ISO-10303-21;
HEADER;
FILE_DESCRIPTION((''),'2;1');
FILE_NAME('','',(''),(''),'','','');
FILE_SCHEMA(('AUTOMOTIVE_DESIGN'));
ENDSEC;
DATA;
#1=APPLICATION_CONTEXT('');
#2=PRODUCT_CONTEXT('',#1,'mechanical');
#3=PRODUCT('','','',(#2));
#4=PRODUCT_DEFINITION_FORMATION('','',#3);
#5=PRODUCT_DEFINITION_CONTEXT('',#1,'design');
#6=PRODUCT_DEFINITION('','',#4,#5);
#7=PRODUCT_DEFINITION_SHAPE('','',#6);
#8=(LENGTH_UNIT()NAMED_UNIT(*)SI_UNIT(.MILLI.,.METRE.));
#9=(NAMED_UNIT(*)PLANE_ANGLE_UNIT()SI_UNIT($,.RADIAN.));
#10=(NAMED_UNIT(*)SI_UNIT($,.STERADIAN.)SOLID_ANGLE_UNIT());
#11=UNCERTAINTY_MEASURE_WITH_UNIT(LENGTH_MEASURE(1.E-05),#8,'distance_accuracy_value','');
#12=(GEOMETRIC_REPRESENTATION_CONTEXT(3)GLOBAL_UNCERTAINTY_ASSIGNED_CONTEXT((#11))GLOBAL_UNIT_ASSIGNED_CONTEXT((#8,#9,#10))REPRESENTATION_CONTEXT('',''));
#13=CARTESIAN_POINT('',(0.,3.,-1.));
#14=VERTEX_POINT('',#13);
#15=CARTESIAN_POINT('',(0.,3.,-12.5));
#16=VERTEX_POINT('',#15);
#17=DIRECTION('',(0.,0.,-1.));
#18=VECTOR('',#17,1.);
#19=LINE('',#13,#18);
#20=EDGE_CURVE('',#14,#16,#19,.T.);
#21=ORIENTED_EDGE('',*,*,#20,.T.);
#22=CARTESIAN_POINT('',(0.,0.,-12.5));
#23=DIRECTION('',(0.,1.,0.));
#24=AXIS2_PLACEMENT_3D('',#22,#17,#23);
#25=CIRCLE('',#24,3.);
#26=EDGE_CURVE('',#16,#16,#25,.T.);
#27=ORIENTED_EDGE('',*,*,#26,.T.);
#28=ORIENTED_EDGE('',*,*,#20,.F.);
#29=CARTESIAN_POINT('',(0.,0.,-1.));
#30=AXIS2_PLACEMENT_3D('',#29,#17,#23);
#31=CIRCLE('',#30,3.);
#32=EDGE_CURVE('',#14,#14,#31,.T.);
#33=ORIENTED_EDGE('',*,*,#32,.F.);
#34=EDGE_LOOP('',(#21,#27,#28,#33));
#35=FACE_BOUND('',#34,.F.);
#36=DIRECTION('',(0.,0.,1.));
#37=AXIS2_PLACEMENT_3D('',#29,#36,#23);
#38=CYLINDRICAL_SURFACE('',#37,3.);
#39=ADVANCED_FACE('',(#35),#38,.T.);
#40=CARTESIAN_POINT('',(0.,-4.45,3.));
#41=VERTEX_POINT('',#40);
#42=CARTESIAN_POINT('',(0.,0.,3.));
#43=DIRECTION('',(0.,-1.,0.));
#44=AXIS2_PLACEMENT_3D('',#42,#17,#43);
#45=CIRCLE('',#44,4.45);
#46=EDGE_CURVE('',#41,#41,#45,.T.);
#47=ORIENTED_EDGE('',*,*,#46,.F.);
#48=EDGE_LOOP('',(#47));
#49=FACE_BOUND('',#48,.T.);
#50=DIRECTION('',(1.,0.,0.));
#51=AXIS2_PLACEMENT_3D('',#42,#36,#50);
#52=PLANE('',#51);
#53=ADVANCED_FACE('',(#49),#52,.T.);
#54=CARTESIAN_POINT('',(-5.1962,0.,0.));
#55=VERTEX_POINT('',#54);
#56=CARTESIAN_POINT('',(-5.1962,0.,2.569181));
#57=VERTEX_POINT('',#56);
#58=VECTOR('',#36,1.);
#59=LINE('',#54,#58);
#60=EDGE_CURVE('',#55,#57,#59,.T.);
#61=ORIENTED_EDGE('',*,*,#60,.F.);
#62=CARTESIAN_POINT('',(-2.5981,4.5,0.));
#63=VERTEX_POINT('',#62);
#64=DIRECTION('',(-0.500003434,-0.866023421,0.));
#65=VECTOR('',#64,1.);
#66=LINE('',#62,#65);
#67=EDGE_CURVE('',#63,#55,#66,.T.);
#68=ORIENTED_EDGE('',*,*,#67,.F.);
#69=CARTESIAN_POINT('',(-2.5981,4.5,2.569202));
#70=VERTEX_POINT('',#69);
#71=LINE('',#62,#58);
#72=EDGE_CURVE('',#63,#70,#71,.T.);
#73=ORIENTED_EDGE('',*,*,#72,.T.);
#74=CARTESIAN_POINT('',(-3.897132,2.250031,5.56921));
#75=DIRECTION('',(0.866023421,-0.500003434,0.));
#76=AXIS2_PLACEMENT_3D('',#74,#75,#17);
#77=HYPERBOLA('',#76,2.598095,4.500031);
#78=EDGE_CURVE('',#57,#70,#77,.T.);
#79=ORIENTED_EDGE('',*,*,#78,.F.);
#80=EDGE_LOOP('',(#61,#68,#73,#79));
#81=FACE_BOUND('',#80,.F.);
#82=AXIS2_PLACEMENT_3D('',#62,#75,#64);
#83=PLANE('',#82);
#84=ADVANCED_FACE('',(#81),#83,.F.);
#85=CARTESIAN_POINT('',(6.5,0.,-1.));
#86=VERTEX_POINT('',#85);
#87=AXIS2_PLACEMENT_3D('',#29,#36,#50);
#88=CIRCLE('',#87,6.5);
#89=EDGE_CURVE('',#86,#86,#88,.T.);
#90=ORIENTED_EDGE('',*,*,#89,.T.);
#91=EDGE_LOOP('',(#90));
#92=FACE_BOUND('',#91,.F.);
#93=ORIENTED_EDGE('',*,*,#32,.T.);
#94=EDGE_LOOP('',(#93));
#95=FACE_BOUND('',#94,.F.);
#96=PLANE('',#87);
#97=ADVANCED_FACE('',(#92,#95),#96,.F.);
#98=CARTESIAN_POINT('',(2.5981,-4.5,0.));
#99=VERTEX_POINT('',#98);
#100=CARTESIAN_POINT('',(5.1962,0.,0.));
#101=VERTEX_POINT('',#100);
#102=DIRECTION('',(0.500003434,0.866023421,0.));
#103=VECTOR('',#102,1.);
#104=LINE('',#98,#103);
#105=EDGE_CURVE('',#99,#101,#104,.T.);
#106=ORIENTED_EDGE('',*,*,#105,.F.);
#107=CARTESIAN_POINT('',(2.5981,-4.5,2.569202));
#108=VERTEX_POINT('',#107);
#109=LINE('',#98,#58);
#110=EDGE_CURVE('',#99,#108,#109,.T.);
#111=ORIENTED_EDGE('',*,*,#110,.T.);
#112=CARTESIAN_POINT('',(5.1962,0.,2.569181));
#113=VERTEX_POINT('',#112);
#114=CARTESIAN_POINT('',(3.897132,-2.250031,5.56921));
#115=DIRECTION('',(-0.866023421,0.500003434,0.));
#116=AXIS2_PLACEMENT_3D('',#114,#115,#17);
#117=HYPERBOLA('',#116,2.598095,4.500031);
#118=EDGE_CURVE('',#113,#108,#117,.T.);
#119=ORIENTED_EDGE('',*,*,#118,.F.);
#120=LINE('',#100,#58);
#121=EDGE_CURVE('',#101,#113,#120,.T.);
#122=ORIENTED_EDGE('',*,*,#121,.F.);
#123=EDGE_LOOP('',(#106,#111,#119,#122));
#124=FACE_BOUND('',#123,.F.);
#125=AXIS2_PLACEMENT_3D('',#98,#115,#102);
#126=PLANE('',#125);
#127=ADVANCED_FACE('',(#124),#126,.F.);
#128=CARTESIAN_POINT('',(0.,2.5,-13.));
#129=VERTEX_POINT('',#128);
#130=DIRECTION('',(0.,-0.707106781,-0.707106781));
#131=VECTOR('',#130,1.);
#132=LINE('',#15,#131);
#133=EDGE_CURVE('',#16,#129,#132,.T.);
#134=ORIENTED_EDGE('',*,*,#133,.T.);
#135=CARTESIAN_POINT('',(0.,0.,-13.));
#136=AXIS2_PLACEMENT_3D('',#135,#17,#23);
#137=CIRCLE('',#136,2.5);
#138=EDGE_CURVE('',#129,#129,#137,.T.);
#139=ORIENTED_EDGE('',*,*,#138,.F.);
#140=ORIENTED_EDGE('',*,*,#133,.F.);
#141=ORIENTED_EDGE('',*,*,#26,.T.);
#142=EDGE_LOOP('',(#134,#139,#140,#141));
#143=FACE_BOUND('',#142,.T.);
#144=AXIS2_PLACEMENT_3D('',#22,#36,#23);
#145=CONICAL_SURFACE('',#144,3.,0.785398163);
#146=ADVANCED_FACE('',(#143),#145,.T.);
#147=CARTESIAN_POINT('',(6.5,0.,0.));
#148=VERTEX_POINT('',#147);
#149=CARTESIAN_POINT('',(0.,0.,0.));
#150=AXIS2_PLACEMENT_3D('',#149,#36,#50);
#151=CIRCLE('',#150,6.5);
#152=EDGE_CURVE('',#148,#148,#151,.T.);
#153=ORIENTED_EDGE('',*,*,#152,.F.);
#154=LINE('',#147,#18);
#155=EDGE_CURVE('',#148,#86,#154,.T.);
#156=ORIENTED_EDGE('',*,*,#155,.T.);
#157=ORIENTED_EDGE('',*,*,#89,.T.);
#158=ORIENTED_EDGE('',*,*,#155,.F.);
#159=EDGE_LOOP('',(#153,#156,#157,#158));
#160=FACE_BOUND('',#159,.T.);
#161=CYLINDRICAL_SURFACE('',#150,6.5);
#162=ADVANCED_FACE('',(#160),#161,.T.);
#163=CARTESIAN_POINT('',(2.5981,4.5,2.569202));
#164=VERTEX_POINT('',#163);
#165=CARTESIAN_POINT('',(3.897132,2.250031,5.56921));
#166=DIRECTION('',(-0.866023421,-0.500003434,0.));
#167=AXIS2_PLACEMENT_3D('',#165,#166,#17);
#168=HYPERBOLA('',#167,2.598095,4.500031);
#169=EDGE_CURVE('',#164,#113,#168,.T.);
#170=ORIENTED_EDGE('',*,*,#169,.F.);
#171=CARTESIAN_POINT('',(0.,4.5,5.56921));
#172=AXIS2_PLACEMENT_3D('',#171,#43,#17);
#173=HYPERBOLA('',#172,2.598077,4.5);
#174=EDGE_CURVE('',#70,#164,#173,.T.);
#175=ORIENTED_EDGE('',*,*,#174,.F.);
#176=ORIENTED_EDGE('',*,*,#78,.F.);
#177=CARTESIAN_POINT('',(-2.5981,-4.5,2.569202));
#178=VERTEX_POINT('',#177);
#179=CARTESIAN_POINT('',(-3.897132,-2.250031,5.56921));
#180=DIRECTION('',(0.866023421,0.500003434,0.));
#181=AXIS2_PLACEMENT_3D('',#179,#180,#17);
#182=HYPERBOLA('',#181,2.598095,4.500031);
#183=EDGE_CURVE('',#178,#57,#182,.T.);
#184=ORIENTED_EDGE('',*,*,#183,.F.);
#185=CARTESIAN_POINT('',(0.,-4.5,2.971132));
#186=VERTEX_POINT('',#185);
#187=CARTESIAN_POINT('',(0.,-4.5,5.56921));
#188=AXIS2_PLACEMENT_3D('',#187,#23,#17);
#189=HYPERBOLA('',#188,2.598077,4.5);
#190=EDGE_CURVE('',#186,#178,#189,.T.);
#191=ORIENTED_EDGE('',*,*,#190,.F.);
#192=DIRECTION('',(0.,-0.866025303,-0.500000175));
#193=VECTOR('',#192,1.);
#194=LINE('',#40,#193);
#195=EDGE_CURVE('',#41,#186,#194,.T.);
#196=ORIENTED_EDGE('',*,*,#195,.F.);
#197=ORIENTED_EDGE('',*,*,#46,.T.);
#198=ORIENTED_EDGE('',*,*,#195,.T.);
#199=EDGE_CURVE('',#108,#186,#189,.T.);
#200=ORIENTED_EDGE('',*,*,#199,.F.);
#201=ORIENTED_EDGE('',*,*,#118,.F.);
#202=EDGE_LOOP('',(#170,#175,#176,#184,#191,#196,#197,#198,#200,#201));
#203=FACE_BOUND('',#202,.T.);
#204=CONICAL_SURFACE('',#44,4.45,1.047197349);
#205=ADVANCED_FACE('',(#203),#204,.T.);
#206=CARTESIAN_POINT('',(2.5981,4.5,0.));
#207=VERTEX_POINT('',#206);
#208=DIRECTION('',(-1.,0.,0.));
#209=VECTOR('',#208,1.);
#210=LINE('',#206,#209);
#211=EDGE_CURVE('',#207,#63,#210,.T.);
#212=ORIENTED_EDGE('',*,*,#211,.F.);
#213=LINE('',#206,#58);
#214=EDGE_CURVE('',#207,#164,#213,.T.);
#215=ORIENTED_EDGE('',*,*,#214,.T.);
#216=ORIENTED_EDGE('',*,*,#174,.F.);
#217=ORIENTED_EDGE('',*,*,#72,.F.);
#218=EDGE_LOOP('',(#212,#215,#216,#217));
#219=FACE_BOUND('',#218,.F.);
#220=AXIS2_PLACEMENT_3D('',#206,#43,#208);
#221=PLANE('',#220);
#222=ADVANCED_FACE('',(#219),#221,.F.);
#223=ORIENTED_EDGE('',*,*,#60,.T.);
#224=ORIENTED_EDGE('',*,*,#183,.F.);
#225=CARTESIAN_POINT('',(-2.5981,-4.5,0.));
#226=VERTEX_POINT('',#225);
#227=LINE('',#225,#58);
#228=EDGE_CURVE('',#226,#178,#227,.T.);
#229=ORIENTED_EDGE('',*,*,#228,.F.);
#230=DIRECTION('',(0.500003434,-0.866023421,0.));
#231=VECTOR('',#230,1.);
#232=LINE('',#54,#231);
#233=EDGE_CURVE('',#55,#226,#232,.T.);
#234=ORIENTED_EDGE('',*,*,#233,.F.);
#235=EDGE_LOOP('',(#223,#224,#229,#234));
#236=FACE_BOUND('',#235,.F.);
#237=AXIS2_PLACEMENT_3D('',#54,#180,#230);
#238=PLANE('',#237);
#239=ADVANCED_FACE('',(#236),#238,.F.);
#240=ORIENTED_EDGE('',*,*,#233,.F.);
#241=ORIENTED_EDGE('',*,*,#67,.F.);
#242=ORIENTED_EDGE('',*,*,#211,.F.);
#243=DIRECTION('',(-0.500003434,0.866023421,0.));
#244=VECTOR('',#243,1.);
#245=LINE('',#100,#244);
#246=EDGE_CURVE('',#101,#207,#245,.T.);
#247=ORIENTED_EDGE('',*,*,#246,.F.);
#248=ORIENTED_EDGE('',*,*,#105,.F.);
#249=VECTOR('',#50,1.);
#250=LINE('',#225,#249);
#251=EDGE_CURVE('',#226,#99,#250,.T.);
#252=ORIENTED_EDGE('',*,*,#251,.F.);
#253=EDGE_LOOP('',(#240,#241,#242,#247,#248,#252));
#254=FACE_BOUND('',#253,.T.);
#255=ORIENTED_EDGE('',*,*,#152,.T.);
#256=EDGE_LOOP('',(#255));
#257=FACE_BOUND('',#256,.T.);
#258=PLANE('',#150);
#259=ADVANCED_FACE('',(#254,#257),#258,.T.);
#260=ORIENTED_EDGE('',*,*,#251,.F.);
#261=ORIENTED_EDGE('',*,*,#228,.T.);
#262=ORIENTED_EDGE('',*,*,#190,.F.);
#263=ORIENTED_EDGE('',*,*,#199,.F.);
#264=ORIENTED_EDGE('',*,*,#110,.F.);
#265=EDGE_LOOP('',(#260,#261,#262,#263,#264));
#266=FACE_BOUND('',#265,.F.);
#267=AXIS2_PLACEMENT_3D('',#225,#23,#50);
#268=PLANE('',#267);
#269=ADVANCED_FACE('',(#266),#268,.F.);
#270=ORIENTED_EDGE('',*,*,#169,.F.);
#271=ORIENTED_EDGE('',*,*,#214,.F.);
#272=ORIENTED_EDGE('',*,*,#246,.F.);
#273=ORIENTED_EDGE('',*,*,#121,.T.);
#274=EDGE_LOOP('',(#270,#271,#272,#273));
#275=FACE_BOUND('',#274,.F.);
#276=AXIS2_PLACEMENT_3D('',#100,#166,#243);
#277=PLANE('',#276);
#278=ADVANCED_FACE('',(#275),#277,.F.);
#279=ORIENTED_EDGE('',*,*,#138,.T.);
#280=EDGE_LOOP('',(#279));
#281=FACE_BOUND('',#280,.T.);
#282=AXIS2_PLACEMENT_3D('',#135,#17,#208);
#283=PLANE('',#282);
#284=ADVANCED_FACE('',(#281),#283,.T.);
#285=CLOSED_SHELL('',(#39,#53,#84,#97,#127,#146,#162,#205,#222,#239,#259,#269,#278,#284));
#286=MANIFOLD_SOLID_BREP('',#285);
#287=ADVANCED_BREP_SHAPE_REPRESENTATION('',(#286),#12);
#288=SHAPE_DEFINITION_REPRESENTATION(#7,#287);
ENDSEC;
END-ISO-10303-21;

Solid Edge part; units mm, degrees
sketch "Sketch1" plane through (0, 0, 0) normal (0, 0, 1) x (1, 0, 0)
  circle A0 centre (0, 0) radius 6.5
  dimension "D1" = 13
extrude "Protrusion1" add sketch "Sketch1" against normal blind 1
sketch "Sketch2" plane through (0, 0, 0) normal (0, 0, 1) x (1, 0, 0)
  line L0 (2.5981, 4.5) -> (-2.5981, 4.5)
  line L1 (-2.5981, 4.5) -> (-5.1962, 0)
  line L2 (-5.1962, 0) -> (-2.5981, -4.5)
  line L3 (-2.5981, -4.5) -> (2.5981, -4.5)
  line L4 (2.5981, -4.5) -> (5.1962, 0)
  line L5 (5.1962, 0) -> (2.5981, 4.5)
  dimension "D1" = 4.5
  dimension "D2" = 9
extrude "Protrusion2" add sketch "Sketch2" along normal blind 3
sketch "Sketch3" plane through (0, 0, 0) normal (1, 0, 0) x (0, 1, 0)
  line L0 (-4.45, 3) -> (-7.9141, 1)
  dimension "D1" = 4
revolve "RevolvedCutout1" cut sketch "Sketch3" angle 360 about axis through (0, 0, 2.5) along (0, 0, -1) material side at (0, -6.2071, 2.0433)
sketch "Sketch4" plane through (0, 0, -1) normal (0, 0, -1) x (0, 1, 0)
  circle A0 centre (0, 0) radius 3
  dimension "D1" = 6
extrude "Protrusion3" add sketch "Sketch4" along normal blind 12
chamfer "Chamfer1" distance 0.5 angle 45 1 edges at (0, -3, -13)
properties part number "WHB-6X12" material "STEEL"
